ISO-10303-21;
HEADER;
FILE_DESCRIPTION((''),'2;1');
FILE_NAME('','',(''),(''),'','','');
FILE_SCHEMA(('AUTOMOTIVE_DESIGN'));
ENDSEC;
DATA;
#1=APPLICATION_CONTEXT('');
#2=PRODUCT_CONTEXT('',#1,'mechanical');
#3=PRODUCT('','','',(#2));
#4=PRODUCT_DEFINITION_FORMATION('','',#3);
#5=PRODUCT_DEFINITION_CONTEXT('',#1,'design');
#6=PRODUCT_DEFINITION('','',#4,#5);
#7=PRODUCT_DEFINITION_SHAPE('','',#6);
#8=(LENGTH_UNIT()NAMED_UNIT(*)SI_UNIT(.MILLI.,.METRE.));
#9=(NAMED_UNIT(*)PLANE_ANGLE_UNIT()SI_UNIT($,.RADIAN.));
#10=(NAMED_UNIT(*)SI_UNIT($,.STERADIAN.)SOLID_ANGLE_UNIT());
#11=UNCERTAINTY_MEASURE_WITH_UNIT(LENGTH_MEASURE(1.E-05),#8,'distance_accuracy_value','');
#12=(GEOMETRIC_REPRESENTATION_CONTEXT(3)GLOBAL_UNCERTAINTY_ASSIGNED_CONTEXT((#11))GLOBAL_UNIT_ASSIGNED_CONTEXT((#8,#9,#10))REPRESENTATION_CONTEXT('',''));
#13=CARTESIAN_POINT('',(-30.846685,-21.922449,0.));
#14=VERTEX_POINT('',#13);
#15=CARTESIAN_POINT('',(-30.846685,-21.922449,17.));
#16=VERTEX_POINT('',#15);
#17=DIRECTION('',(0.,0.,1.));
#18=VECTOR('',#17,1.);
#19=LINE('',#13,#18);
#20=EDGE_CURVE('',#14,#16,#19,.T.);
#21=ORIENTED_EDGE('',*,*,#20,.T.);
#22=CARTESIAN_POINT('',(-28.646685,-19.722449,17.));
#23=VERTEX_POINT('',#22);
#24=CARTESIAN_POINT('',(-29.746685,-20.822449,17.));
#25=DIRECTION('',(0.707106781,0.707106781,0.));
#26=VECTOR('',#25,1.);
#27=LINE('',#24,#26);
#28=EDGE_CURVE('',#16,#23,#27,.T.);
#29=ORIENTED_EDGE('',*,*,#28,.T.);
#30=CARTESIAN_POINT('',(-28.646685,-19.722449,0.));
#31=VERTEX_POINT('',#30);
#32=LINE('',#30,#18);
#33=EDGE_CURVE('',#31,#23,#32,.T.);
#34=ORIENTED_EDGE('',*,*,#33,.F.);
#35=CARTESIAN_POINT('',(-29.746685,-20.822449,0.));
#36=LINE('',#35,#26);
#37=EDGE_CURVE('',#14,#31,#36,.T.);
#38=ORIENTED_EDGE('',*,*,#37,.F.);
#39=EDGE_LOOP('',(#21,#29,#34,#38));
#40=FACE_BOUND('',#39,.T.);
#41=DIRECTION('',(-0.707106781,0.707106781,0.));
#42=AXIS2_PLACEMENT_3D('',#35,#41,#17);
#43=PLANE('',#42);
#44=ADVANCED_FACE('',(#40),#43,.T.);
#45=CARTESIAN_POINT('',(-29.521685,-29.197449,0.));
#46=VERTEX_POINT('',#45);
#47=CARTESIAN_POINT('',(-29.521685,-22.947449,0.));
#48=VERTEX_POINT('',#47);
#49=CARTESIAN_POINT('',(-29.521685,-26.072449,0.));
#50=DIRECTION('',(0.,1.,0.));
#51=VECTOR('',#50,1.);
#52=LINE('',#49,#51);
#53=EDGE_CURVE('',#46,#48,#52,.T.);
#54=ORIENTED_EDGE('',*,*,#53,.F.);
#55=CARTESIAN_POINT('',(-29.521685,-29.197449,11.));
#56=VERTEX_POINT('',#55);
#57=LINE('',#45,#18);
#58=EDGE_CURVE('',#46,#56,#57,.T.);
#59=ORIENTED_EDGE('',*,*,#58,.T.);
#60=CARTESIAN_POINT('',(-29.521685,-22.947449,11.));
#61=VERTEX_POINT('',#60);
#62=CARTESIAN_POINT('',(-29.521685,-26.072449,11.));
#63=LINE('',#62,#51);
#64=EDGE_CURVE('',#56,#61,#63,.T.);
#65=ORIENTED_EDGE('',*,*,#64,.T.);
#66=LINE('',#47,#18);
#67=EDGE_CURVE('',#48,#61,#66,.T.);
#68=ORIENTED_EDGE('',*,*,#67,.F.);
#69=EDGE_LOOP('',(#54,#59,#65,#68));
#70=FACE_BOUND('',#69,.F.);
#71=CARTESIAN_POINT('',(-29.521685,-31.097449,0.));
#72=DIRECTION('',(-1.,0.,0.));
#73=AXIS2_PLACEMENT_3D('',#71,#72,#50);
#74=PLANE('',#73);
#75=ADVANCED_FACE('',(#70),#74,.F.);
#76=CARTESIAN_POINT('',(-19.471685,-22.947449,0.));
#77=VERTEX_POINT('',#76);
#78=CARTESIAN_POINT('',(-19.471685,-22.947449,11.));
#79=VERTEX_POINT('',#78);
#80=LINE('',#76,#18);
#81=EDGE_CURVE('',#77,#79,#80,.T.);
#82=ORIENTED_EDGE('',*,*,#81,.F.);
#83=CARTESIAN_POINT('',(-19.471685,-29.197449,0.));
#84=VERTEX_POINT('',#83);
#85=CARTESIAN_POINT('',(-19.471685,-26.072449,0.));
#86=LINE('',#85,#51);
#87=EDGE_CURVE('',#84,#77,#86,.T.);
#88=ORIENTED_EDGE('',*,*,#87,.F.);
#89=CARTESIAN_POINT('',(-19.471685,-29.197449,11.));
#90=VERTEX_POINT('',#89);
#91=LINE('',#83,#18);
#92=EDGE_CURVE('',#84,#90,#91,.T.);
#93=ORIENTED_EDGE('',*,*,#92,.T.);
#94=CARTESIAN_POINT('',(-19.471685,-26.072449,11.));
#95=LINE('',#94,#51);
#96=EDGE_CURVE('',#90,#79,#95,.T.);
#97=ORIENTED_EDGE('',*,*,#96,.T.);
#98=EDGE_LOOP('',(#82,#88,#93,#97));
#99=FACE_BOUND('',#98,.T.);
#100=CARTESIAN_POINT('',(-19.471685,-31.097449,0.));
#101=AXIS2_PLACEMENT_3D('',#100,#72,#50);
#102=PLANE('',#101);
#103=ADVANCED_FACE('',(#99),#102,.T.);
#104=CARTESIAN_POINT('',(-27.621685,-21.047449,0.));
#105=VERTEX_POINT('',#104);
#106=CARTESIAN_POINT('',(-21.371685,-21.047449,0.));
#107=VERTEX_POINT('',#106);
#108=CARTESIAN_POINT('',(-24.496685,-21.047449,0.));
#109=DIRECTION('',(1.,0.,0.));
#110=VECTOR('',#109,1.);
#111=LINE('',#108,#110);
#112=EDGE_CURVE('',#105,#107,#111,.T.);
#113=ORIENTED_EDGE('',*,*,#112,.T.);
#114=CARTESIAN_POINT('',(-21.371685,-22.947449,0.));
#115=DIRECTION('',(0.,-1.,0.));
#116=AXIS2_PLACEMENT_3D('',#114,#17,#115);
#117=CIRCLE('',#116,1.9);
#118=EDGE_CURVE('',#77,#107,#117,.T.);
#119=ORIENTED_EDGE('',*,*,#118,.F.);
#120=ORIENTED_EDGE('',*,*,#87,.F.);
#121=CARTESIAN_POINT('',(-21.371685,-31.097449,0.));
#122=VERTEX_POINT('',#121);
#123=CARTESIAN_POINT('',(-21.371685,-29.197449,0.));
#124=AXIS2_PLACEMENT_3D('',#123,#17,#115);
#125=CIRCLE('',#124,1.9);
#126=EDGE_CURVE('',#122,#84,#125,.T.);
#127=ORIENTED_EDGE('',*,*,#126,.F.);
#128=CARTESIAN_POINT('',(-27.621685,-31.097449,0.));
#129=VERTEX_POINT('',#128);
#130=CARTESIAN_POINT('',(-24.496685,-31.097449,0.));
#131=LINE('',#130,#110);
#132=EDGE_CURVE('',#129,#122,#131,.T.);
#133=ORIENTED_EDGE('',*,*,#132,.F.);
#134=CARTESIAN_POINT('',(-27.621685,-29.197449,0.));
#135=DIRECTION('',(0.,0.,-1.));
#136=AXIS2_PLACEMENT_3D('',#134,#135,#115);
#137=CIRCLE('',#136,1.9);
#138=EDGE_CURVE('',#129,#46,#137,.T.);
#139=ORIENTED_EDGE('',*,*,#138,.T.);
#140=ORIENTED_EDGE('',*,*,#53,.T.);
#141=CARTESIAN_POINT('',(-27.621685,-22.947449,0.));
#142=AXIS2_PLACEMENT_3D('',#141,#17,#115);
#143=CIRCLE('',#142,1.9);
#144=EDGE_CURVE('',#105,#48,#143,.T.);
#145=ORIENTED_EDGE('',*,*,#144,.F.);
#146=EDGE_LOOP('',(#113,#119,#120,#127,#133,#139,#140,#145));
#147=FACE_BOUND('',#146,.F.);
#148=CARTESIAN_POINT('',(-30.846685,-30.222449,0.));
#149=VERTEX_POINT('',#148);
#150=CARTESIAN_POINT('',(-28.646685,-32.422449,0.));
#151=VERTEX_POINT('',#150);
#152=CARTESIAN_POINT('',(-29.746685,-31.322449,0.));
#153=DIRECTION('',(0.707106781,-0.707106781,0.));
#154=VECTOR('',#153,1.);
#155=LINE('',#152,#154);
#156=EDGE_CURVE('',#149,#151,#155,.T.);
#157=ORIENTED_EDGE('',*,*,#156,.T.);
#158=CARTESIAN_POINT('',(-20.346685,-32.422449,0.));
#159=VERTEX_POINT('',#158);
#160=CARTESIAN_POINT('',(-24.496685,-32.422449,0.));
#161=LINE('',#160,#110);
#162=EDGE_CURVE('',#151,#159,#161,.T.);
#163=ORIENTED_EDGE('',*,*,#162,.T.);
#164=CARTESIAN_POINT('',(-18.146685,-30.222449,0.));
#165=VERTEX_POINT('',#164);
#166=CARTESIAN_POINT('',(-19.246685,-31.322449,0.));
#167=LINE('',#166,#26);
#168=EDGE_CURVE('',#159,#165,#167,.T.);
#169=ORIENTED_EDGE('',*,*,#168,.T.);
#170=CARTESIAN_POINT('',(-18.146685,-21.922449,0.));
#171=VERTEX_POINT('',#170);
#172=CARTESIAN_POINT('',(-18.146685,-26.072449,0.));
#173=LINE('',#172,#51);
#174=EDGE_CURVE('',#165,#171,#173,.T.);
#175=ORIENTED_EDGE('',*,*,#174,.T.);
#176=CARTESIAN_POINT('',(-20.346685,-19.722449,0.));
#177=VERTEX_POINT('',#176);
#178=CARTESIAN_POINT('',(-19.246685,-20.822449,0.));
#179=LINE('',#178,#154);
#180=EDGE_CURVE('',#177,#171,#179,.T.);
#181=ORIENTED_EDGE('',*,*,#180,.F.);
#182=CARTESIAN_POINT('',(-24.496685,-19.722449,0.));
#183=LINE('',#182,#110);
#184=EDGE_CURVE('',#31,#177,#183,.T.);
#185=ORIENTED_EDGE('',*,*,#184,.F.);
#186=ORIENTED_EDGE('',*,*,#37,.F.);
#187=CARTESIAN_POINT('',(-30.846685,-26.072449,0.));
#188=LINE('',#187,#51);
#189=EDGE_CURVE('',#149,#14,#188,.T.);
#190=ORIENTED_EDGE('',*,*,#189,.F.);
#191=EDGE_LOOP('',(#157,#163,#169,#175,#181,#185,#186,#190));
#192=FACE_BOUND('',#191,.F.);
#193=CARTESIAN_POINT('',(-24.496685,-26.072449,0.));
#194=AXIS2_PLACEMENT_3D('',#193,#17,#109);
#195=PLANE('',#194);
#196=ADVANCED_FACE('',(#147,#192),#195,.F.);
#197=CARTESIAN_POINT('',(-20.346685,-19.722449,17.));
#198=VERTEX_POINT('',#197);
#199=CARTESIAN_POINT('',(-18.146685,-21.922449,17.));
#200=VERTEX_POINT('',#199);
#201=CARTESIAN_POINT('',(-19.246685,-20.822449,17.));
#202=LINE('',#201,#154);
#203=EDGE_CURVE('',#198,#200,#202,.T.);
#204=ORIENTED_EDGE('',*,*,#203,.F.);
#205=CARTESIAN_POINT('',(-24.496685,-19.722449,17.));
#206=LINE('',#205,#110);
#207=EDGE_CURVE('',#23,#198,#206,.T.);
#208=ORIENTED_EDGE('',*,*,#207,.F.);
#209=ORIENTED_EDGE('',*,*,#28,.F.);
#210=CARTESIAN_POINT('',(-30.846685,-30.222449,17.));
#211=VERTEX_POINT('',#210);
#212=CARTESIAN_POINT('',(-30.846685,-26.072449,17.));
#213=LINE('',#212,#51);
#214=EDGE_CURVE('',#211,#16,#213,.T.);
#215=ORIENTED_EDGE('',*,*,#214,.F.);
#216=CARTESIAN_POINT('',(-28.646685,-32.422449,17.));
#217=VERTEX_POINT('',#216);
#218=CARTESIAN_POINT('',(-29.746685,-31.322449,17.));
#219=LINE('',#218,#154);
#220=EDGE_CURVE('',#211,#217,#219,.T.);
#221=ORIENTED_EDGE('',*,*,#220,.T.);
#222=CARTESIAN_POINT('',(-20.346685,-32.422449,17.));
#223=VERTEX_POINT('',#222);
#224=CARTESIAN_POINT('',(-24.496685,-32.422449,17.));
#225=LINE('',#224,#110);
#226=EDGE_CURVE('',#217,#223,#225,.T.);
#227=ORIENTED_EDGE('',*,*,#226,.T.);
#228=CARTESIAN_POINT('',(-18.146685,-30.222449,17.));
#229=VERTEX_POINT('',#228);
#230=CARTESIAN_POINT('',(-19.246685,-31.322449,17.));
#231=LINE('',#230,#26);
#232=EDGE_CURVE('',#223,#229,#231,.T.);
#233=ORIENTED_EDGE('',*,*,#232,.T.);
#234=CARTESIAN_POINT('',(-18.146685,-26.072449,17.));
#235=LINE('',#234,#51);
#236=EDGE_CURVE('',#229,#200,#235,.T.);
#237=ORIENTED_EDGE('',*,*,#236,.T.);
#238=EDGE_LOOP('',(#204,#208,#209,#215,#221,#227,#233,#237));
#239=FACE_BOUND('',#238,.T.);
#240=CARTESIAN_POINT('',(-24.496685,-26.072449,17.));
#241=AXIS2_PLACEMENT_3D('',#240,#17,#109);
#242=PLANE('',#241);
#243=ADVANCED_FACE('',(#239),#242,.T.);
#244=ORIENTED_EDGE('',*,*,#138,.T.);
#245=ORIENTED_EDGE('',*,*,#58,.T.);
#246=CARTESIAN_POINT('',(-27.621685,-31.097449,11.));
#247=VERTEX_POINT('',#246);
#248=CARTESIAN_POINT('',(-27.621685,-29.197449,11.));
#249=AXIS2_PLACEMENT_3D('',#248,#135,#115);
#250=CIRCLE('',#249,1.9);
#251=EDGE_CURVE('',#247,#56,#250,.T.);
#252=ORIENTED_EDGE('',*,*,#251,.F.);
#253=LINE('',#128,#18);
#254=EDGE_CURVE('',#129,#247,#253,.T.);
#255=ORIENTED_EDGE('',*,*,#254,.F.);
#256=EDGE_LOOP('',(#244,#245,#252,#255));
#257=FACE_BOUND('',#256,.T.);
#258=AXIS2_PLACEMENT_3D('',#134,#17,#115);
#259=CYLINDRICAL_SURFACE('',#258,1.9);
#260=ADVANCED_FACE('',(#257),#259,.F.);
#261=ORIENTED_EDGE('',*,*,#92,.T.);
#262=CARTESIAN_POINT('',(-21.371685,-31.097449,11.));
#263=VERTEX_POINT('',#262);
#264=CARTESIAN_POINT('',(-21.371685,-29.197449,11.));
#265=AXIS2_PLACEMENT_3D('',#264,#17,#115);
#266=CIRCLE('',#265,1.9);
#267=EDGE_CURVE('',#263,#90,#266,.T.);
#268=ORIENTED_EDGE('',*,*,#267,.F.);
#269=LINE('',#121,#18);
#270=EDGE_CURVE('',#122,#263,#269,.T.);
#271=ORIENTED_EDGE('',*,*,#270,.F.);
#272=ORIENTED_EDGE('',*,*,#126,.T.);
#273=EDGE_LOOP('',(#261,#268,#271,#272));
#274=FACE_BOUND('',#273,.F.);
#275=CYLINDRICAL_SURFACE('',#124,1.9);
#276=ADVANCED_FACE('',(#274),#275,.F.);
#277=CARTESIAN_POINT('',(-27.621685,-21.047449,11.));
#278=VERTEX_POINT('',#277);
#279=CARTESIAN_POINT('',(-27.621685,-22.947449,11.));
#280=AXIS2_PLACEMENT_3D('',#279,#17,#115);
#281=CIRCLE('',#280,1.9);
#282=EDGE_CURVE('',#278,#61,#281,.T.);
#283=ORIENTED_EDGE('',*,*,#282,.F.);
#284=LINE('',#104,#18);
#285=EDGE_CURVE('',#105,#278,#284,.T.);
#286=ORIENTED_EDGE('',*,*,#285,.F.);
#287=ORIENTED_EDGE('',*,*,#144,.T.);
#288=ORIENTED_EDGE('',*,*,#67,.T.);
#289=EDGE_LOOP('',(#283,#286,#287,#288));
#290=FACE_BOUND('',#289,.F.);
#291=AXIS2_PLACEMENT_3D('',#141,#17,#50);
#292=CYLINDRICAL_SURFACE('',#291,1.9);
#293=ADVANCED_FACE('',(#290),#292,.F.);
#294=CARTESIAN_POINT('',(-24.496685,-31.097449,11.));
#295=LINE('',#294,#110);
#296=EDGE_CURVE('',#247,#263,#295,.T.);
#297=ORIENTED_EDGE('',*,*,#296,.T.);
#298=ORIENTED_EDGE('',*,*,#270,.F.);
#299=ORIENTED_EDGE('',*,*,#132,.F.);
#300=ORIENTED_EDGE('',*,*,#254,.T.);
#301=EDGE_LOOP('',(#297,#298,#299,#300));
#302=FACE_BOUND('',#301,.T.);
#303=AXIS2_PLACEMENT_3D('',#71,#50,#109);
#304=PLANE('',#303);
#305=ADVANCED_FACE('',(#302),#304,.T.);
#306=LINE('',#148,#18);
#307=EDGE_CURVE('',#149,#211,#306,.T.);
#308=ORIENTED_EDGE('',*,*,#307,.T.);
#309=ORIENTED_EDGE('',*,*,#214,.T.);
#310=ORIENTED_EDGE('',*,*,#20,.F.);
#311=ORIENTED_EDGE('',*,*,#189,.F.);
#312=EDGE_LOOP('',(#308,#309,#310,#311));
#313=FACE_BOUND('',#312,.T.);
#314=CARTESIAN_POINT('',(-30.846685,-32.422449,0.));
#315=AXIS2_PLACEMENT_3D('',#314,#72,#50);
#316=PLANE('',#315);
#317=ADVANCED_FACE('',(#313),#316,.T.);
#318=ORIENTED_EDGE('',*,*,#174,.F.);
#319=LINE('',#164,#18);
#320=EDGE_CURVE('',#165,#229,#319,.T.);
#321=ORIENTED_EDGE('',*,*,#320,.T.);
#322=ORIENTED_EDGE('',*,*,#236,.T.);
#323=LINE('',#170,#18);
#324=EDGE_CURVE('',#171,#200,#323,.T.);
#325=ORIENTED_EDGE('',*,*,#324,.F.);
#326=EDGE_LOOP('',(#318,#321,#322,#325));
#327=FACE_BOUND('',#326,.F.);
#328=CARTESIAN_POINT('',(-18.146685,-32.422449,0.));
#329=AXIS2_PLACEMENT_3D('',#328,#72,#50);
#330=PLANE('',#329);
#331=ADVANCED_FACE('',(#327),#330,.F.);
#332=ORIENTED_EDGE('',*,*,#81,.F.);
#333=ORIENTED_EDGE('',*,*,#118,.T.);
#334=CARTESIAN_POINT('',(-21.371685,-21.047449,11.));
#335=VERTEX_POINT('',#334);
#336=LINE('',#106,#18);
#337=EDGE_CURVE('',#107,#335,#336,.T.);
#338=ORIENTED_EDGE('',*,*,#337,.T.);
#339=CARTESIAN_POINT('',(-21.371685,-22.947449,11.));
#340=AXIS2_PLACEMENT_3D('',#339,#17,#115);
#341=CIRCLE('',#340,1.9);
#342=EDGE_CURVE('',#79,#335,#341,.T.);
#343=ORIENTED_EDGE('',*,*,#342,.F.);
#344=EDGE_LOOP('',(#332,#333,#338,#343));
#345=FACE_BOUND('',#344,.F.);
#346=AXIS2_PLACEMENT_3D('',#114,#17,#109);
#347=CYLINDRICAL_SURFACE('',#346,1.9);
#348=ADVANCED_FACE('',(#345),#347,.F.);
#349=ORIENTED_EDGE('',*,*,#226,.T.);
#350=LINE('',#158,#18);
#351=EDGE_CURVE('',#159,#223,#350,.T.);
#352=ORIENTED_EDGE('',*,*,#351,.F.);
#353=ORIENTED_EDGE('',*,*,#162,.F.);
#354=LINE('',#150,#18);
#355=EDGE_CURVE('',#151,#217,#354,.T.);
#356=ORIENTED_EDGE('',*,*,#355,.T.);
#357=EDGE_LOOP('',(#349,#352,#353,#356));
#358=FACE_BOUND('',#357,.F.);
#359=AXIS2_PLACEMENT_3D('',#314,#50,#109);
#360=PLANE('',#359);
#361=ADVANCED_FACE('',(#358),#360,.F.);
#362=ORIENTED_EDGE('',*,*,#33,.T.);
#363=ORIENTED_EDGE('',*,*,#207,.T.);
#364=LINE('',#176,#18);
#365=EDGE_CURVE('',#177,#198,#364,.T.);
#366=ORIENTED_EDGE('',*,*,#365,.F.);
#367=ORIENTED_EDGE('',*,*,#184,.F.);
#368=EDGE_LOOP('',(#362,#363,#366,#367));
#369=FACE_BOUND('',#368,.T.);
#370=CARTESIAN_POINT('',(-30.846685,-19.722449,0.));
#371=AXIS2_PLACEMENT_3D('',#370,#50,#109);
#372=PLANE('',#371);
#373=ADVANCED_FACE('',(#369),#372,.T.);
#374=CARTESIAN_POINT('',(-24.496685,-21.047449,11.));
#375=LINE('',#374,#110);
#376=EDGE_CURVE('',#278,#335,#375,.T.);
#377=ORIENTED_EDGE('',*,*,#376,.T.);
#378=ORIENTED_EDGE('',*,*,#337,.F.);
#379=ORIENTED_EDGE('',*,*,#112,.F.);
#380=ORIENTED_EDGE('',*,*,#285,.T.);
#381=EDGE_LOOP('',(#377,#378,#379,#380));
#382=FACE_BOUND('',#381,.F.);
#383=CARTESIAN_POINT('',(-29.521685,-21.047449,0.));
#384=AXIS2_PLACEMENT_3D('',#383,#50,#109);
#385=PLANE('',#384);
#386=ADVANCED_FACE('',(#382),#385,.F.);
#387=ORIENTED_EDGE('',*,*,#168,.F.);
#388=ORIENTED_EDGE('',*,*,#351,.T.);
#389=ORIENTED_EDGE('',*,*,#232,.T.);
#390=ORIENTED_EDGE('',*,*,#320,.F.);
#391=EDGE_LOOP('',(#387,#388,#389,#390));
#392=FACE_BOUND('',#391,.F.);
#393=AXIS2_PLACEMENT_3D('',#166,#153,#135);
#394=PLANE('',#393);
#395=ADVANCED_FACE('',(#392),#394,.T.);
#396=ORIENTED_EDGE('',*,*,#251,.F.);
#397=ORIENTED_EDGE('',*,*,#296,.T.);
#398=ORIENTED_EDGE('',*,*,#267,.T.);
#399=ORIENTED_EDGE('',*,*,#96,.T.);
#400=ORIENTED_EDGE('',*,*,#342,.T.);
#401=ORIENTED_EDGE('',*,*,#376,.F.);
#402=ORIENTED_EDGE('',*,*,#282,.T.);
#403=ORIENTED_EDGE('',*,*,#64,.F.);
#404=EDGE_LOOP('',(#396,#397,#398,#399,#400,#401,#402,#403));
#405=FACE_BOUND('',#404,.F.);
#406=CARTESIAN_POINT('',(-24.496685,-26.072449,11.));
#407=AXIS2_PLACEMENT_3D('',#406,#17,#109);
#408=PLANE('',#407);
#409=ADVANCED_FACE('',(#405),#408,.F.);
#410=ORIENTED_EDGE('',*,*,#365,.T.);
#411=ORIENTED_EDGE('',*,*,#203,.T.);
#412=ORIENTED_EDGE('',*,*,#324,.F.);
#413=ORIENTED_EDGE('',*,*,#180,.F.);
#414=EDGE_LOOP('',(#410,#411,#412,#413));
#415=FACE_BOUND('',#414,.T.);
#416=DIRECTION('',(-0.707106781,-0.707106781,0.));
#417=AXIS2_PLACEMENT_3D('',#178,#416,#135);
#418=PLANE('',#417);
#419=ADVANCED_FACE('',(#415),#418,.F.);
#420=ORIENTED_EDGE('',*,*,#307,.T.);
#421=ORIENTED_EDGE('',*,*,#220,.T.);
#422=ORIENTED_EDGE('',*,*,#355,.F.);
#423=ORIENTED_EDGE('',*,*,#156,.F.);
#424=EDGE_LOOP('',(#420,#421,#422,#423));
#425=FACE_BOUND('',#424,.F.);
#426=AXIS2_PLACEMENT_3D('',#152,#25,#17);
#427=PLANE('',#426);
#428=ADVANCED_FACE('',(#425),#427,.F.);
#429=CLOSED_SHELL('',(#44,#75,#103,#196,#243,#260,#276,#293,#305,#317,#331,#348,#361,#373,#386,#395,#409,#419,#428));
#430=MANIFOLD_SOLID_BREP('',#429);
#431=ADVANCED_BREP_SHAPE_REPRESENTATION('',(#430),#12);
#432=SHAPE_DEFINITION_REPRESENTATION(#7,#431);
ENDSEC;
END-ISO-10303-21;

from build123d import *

# Parameters (mm, degrees)
F0_W     = 12.7
F0_H     = 12.7
F0_W_2   = 10.05
F0_H_2   = 10.05
F1_DEPTH = 17
F2_DEPTH = 17
F3_DEPTH = 11
F4_SIZE  = 2.2
F5_R     = 1.9


with BuildPart() as f1:
    # F0 (on Top) → F1 (new body)
    with BuildSketch(Plane.XY):
        with Locations((-24.496685, -26.072449)):
            Rectangle(F0_W, F0_H)
        with Locations((-24.496685, -26.072449)):
            Rectangle(F0_W_2, F0_H_2, mode=Mode.SUBTRACT)
    extrude(amount=F1_DEPTH)

    # F0 (on Top) → F2 (join)
    with BuildSketch(Plane.XY):
        with Locations((-24.496685, -26.072449)):
            Rectangle(F0_W_2, F0_H_2)
    extrude(amount=F2_DEPTH)

    # F0 (on Top) → F3 (cut)
    with BuildSketch(Plane.XY):
        with Locations((-24.496685, -26.072449)):
            Rectangle(F0_W_2, F0_H_2)
    extrude(amount=F3_DEPTH, mode=Mode.SUBTRACT)

    # F4
    f4_edges = [f1.edges().sort_by_distance(p)[0] for p in [
        (-18.146685, -19.722449, 8.5),
        (-30.846685, -19.722449, 8.5),
        (-30.846685, -32.422449, 8.5),
        (-18.146685, -32.422449, 8.5),
    ]]
    chamfer(f4_edges, length=F4_SIZE)

    # F5
    f5_edges = [f1.edges().sort_by_distance(p)[0] for p in [
        (-19.471685, -31.097449, 5.5),
        (-19.471685, -21.047449, 5.5),
        (-29.521685, -21.047449, 5.5),
        (-29.521685, -31.097449, 5.5),
    ]]
    fillet(f5_edges, radius=F5_R)


solid = f1.part
